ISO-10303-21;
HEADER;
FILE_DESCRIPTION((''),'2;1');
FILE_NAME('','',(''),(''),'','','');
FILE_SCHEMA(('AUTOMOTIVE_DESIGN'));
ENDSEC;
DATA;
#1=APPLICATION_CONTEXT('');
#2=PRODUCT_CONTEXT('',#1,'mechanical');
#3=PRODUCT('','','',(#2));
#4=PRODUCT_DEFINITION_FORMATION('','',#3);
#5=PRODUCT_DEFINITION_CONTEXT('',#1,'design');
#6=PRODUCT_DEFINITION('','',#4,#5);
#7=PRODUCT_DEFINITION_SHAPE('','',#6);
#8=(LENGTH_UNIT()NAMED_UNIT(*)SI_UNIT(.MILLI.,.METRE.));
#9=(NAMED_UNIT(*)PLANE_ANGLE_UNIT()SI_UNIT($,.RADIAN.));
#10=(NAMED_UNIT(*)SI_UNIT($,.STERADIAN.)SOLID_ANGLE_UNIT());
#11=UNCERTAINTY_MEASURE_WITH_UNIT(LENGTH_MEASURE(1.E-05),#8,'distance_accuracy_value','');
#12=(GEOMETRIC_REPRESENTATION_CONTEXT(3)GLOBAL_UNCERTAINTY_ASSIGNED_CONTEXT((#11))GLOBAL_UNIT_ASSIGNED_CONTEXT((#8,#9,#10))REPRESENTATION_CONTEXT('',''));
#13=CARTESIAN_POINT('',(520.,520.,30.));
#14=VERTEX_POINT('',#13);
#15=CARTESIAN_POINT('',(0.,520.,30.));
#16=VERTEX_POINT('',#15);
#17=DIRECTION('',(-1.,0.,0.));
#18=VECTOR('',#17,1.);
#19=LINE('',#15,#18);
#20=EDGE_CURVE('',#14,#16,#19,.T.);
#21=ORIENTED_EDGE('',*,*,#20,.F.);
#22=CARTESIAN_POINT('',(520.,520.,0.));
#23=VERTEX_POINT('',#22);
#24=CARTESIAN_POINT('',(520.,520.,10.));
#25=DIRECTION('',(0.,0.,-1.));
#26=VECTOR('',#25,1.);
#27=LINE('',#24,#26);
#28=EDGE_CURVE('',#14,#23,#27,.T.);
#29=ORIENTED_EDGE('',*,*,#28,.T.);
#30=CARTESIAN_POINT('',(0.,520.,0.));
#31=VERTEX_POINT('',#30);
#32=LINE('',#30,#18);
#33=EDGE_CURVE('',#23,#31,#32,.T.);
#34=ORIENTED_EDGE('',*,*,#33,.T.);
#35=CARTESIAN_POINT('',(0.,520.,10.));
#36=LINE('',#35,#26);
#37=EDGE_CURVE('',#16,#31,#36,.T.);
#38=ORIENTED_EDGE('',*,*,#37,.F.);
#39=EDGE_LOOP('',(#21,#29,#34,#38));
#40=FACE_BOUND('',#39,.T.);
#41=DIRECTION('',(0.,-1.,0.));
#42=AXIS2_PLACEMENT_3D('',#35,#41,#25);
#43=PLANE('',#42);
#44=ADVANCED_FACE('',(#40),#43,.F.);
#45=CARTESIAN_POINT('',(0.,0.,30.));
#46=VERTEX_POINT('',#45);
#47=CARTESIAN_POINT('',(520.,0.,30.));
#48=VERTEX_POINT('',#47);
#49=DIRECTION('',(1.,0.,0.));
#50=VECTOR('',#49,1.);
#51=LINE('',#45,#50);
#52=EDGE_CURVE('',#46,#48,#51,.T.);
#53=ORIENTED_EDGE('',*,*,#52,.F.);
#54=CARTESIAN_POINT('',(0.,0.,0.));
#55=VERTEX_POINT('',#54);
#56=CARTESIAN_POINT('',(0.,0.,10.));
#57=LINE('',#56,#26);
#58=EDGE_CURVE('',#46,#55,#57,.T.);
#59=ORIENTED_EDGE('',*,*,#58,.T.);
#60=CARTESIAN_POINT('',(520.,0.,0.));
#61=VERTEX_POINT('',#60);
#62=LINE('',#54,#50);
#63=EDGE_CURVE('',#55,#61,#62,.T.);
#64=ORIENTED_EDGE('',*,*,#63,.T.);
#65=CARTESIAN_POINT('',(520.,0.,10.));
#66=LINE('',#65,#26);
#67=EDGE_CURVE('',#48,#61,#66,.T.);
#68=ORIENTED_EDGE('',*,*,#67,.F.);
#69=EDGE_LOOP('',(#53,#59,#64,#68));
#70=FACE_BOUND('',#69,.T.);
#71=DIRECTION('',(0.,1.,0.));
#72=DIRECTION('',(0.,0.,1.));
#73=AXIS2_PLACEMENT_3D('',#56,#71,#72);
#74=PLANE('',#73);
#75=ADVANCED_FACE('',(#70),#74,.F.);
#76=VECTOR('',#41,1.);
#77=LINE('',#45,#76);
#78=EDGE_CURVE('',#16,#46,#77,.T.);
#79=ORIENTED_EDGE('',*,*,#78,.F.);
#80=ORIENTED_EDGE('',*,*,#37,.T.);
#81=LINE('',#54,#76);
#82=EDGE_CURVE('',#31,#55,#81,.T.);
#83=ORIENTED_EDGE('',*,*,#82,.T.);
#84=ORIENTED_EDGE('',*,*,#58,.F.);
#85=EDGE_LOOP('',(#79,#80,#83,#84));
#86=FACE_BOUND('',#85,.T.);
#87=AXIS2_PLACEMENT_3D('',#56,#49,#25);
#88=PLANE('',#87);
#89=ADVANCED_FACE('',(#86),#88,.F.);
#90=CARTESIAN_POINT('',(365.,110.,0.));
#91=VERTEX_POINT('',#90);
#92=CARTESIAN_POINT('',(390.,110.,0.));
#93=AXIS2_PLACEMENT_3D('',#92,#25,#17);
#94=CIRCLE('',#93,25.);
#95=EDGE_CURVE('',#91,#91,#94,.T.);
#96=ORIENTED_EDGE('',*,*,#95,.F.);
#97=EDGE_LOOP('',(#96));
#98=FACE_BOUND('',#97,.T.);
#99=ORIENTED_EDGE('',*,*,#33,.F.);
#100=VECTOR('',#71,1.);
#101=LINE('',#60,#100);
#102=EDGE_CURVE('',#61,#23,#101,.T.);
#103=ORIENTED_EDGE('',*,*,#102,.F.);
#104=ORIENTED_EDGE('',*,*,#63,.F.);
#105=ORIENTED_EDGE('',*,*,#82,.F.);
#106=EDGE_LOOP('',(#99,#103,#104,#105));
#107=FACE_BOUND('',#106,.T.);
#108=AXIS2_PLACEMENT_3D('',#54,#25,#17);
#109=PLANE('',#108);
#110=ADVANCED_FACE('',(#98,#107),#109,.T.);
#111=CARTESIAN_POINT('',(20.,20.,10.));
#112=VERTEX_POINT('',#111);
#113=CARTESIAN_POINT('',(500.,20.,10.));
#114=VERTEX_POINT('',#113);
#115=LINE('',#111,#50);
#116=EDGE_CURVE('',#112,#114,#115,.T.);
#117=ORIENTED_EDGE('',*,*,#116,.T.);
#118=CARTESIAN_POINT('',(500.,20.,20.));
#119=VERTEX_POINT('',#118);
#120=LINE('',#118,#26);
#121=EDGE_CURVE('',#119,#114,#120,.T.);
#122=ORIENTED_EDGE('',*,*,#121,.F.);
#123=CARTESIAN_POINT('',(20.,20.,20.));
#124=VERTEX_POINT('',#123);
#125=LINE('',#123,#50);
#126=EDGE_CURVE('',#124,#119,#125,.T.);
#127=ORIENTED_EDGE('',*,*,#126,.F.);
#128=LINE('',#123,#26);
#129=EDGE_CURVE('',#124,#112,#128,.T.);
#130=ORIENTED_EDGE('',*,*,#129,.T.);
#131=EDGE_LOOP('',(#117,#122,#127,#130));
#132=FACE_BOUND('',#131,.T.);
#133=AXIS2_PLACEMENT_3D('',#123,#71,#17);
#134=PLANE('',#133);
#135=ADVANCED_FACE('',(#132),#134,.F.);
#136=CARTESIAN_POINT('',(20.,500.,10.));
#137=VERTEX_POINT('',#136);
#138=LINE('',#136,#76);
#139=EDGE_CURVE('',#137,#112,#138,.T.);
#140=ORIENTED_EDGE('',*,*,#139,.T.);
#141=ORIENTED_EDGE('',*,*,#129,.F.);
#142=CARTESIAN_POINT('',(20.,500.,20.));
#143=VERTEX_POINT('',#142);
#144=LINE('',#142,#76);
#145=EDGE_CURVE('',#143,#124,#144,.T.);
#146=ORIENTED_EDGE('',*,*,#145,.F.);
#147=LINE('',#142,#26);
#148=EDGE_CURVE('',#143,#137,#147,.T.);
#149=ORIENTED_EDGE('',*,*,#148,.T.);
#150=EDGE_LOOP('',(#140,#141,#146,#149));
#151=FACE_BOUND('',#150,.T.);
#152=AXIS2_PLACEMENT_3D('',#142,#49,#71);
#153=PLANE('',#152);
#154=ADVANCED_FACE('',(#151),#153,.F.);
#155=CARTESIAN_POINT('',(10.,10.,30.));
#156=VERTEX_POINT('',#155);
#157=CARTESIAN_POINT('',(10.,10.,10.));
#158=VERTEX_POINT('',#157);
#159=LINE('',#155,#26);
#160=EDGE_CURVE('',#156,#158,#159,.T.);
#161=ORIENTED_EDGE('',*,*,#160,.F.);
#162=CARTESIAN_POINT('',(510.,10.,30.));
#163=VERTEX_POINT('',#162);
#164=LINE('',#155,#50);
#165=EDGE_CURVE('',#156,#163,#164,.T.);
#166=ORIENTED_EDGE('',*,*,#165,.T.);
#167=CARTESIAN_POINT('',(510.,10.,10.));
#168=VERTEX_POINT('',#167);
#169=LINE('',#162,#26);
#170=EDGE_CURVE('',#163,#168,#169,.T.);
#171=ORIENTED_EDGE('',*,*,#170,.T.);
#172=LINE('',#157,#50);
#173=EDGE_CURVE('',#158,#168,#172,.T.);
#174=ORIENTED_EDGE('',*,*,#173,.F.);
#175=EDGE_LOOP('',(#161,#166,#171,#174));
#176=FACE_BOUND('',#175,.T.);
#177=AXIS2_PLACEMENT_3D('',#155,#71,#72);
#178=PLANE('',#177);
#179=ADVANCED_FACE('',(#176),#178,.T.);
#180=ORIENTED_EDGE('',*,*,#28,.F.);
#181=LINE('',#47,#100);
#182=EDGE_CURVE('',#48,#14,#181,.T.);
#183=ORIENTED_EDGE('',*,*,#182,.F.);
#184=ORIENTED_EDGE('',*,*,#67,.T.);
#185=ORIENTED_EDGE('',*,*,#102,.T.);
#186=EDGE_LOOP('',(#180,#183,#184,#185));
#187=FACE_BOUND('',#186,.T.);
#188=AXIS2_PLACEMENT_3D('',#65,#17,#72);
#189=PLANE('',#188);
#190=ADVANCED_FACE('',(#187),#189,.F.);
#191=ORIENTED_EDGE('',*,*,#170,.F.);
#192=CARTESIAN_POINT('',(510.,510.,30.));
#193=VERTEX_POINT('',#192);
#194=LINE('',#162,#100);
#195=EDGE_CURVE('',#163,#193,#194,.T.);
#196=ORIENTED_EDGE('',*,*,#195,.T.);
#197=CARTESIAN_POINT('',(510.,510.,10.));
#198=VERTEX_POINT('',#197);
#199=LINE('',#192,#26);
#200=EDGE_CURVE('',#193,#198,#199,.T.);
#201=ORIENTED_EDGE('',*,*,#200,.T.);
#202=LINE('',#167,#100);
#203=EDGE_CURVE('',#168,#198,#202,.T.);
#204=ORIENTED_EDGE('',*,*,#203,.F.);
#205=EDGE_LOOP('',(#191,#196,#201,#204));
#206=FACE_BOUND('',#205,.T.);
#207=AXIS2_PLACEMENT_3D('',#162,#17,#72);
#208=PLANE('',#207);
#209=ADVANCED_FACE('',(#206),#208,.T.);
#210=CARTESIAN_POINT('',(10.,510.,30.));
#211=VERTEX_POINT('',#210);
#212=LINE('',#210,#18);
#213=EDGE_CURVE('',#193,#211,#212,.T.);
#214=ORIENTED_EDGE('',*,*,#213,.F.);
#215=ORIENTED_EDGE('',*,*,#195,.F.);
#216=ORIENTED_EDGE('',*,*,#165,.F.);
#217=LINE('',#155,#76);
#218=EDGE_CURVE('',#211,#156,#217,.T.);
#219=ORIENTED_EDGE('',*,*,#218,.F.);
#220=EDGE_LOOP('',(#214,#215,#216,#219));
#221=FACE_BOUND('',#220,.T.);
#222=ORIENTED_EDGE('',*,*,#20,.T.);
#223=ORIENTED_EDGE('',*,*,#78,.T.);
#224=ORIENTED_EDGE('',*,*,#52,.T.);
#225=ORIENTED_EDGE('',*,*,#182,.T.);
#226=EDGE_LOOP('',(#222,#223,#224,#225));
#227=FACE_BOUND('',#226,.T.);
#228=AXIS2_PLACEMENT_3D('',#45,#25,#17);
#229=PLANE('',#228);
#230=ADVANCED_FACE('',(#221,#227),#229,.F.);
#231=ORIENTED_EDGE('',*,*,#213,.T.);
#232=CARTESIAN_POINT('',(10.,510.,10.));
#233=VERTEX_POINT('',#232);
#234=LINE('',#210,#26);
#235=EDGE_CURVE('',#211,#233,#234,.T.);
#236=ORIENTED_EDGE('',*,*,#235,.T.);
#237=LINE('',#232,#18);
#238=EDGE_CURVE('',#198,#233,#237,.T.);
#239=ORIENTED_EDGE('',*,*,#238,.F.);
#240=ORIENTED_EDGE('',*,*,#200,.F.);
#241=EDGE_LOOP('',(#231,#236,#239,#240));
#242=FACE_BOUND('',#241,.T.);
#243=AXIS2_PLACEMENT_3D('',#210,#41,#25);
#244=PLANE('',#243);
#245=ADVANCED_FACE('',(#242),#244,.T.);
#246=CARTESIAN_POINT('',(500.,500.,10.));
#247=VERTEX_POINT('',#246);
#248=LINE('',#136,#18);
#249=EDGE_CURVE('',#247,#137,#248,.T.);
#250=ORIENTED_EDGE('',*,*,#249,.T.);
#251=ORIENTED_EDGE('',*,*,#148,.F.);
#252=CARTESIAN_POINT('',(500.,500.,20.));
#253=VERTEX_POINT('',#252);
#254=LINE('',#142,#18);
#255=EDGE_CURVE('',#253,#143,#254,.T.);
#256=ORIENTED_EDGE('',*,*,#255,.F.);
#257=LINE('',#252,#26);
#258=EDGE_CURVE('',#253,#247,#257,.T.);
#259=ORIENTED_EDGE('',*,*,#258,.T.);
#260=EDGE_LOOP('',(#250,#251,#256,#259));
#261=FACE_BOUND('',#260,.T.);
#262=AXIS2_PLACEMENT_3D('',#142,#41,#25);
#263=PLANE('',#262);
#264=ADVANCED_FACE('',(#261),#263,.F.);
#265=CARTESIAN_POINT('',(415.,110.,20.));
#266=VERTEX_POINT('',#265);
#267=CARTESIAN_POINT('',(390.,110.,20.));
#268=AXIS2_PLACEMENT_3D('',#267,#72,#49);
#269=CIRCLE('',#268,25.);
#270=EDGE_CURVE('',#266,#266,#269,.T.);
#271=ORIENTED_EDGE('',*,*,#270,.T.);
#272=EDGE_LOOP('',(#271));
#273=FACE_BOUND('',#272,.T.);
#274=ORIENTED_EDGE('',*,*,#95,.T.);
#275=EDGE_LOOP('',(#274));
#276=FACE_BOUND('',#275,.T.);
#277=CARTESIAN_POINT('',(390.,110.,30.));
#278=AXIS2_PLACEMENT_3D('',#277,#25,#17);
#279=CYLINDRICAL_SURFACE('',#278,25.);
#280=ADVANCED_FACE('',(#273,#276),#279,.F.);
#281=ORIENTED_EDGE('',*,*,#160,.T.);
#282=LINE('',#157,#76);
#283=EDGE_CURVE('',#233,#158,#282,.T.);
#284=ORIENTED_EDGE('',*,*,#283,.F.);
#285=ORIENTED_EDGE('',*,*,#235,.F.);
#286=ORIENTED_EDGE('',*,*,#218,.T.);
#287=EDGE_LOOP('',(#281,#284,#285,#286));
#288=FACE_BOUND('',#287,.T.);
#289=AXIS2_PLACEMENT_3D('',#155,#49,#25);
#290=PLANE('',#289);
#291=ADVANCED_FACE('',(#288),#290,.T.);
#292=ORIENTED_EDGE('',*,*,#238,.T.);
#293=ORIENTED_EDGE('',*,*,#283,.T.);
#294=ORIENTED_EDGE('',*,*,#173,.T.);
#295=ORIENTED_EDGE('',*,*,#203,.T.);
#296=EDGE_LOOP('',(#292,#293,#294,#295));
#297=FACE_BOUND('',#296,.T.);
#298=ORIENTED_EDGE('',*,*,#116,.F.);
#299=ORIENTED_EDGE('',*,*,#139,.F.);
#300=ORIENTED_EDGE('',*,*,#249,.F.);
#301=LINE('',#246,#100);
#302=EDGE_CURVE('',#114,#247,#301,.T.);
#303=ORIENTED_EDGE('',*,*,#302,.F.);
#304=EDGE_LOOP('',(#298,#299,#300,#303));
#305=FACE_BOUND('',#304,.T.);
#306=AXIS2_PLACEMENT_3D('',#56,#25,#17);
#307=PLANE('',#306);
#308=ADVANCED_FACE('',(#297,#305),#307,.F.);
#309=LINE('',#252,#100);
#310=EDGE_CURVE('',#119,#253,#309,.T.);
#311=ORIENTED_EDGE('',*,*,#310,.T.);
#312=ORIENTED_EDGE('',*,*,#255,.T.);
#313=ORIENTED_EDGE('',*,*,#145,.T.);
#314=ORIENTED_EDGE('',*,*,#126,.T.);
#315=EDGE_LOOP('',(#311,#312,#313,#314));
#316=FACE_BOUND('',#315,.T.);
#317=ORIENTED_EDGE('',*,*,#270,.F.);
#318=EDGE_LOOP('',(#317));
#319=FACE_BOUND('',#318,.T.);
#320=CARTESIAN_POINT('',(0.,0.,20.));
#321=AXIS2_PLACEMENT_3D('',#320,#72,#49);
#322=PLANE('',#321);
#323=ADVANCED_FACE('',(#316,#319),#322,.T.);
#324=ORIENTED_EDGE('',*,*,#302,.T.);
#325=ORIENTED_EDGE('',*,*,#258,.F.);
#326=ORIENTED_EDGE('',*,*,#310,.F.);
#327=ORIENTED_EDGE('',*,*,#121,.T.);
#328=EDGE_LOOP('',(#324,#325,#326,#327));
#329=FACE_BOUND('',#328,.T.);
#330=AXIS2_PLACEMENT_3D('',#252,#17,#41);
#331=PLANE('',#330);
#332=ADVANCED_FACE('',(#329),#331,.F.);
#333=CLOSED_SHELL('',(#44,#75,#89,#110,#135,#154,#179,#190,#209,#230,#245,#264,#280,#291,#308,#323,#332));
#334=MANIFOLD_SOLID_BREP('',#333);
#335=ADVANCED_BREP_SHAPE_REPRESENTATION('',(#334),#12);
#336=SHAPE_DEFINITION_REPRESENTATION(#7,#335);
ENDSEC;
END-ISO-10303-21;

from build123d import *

# Parameters (mm, degrees)
ESQUISSE1_W             = 520
ESQUISSE1_H             = 520
BOSS_EXTRU_1_DEPTH      = 10
ESQUISSE2_W             = 480
ESQUISSE2_H             = 480
BOSS_EXTRU_2_DEPTH      = 10
ESQUISSE3_W             = 520
ESQUISSE3_H             = 520
ESQUISSE3_W_2           = 500
ESQUISSE3_H_2           = 500
BOSS_EXTRU_3_DEPTH      = 20
ESQUISSE4_R             = 25
ENL_V_MAT_EXTRU_1_DEPTH = 737.002717386


with BuildPart() as part:
    # Esquisse1 → Boss.-Extru.1 (new body)
    with BuildSketch(Plane.XY):
        with Locations((260, 260)):
            Rectangle(ESQUISSE1_W, ESQUISSE1_H)
    extrude(amount=BOSS_EXTRU_1_DEPTH)

    # Esquisse2 → Boss.-Extru.2 (add)
    with BuildSketch(Plane.XY.offset(10)):
        with Locations((260, 260)):
            Rectangle(ESQUISSE2_W, ESQUISSE2_H)
    extrude(amount=BOSS_EXTRU_2_DEPTH)

    # Esquisse3 → Boss.-Extru.3 (add)
    with BuildSketch(Plane.XY.offset(10)):
        with Locations((260, 260)):
            Rectangle(ESQUISSE3_W, ESQUISSE3_H)
        with Locations((260, 260)):
            Rectangle(ESQUISSE3_W_2, ESQUISSE3_H_2, mode=Mode.SUBTRACT)
    extrude(amount=BOSS_EXTRU_3_DEPTH)

    # Esquisse4 → Enlèv. mat.-Extru.1 (cut, through all)
    with BuildSketch(Plane(origin=(0, 0, 0), x_dir=(-1, 0, 0), z_dir=(0, 0, -1))):
        with Locations((-390, 110)):
            Circle(ESQUISSE4_R)
    extrude(amount=-ENL_V_MAT_EXTRU_1_DEPTH, mode=Mode.SUBTRACT)


solid = part.part
